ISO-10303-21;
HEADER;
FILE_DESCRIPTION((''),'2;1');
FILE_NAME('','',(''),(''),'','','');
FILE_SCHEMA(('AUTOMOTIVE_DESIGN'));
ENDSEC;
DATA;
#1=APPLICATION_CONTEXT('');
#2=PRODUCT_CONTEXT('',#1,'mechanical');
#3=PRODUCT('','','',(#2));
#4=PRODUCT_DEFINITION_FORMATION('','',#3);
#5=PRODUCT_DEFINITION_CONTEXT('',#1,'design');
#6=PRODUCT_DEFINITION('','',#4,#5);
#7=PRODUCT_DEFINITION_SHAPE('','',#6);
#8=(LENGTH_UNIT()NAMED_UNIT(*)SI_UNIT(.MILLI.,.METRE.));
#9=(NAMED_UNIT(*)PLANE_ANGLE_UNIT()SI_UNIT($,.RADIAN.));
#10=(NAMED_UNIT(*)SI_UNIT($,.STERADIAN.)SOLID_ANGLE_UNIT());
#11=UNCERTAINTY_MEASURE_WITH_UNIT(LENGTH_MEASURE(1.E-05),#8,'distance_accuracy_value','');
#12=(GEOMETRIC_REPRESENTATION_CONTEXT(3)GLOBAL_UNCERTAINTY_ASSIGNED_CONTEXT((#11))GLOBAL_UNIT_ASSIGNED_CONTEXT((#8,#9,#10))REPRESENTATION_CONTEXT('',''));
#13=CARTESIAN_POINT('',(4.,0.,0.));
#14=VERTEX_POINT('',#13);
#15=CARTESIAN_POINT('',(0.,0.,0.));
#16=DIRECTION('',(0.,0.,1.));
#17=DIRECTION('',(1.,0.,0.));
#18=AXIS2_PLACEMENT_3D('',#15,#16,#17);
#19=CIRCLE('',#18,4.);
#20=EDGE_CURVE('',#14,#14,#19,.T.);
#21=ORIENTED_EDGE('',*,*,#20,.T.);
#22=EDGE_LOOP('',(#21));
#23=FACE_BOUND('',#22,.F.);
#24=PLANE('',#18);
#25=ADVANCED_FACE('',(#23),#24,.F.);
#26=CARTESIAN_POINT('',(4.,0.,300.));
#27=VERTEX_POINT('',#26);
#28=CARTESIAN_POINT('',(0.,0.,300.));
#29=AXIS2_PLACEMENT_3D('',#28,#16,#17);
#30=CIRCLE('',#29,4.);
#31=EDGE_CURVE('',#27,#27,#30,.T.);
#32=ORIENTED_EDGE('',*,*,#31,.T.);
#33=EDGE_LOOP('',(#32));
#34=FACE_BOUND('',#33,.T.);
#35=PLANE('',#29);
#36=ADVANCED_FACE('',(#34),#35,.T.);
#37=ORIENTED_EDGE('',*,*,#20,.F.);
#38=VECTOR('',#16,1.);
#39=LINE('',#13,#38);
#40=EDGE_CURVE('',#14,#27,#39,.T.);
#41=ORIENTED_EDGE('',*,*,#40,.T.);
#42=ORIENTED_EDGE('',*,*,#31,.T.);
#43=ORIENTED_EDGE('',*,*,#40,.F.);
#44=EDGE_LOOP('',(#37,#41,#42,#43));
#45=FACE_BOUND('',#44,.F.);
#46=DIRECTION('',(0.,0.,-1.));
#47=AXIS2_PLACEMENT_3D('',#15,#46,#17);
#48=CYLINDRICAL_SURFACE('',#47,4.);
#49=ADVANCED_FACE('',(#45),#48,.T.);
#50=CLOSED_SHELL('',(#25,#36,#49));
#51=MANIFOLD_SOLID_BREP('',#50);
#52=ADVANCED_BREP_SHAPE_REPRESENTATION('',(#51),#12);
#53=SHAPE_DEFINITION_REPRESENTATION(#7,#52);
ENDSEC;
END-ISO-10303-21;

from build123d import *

# Parameters (mm, degrees)
ESBO_O1_R                = 4
RESSALTO_EXTRUS_O1_DEPTH = 300


with BuildPart() as part:
    # Esboço1 → Ressalto-extrusão1 (new body)
    with BuildSketch(Plane.XY):
        Circle(ESBO_O1_R)
    extrude(amount=RESSALTO_EXTRUS_O1_DEPTH)


solid = part.part
